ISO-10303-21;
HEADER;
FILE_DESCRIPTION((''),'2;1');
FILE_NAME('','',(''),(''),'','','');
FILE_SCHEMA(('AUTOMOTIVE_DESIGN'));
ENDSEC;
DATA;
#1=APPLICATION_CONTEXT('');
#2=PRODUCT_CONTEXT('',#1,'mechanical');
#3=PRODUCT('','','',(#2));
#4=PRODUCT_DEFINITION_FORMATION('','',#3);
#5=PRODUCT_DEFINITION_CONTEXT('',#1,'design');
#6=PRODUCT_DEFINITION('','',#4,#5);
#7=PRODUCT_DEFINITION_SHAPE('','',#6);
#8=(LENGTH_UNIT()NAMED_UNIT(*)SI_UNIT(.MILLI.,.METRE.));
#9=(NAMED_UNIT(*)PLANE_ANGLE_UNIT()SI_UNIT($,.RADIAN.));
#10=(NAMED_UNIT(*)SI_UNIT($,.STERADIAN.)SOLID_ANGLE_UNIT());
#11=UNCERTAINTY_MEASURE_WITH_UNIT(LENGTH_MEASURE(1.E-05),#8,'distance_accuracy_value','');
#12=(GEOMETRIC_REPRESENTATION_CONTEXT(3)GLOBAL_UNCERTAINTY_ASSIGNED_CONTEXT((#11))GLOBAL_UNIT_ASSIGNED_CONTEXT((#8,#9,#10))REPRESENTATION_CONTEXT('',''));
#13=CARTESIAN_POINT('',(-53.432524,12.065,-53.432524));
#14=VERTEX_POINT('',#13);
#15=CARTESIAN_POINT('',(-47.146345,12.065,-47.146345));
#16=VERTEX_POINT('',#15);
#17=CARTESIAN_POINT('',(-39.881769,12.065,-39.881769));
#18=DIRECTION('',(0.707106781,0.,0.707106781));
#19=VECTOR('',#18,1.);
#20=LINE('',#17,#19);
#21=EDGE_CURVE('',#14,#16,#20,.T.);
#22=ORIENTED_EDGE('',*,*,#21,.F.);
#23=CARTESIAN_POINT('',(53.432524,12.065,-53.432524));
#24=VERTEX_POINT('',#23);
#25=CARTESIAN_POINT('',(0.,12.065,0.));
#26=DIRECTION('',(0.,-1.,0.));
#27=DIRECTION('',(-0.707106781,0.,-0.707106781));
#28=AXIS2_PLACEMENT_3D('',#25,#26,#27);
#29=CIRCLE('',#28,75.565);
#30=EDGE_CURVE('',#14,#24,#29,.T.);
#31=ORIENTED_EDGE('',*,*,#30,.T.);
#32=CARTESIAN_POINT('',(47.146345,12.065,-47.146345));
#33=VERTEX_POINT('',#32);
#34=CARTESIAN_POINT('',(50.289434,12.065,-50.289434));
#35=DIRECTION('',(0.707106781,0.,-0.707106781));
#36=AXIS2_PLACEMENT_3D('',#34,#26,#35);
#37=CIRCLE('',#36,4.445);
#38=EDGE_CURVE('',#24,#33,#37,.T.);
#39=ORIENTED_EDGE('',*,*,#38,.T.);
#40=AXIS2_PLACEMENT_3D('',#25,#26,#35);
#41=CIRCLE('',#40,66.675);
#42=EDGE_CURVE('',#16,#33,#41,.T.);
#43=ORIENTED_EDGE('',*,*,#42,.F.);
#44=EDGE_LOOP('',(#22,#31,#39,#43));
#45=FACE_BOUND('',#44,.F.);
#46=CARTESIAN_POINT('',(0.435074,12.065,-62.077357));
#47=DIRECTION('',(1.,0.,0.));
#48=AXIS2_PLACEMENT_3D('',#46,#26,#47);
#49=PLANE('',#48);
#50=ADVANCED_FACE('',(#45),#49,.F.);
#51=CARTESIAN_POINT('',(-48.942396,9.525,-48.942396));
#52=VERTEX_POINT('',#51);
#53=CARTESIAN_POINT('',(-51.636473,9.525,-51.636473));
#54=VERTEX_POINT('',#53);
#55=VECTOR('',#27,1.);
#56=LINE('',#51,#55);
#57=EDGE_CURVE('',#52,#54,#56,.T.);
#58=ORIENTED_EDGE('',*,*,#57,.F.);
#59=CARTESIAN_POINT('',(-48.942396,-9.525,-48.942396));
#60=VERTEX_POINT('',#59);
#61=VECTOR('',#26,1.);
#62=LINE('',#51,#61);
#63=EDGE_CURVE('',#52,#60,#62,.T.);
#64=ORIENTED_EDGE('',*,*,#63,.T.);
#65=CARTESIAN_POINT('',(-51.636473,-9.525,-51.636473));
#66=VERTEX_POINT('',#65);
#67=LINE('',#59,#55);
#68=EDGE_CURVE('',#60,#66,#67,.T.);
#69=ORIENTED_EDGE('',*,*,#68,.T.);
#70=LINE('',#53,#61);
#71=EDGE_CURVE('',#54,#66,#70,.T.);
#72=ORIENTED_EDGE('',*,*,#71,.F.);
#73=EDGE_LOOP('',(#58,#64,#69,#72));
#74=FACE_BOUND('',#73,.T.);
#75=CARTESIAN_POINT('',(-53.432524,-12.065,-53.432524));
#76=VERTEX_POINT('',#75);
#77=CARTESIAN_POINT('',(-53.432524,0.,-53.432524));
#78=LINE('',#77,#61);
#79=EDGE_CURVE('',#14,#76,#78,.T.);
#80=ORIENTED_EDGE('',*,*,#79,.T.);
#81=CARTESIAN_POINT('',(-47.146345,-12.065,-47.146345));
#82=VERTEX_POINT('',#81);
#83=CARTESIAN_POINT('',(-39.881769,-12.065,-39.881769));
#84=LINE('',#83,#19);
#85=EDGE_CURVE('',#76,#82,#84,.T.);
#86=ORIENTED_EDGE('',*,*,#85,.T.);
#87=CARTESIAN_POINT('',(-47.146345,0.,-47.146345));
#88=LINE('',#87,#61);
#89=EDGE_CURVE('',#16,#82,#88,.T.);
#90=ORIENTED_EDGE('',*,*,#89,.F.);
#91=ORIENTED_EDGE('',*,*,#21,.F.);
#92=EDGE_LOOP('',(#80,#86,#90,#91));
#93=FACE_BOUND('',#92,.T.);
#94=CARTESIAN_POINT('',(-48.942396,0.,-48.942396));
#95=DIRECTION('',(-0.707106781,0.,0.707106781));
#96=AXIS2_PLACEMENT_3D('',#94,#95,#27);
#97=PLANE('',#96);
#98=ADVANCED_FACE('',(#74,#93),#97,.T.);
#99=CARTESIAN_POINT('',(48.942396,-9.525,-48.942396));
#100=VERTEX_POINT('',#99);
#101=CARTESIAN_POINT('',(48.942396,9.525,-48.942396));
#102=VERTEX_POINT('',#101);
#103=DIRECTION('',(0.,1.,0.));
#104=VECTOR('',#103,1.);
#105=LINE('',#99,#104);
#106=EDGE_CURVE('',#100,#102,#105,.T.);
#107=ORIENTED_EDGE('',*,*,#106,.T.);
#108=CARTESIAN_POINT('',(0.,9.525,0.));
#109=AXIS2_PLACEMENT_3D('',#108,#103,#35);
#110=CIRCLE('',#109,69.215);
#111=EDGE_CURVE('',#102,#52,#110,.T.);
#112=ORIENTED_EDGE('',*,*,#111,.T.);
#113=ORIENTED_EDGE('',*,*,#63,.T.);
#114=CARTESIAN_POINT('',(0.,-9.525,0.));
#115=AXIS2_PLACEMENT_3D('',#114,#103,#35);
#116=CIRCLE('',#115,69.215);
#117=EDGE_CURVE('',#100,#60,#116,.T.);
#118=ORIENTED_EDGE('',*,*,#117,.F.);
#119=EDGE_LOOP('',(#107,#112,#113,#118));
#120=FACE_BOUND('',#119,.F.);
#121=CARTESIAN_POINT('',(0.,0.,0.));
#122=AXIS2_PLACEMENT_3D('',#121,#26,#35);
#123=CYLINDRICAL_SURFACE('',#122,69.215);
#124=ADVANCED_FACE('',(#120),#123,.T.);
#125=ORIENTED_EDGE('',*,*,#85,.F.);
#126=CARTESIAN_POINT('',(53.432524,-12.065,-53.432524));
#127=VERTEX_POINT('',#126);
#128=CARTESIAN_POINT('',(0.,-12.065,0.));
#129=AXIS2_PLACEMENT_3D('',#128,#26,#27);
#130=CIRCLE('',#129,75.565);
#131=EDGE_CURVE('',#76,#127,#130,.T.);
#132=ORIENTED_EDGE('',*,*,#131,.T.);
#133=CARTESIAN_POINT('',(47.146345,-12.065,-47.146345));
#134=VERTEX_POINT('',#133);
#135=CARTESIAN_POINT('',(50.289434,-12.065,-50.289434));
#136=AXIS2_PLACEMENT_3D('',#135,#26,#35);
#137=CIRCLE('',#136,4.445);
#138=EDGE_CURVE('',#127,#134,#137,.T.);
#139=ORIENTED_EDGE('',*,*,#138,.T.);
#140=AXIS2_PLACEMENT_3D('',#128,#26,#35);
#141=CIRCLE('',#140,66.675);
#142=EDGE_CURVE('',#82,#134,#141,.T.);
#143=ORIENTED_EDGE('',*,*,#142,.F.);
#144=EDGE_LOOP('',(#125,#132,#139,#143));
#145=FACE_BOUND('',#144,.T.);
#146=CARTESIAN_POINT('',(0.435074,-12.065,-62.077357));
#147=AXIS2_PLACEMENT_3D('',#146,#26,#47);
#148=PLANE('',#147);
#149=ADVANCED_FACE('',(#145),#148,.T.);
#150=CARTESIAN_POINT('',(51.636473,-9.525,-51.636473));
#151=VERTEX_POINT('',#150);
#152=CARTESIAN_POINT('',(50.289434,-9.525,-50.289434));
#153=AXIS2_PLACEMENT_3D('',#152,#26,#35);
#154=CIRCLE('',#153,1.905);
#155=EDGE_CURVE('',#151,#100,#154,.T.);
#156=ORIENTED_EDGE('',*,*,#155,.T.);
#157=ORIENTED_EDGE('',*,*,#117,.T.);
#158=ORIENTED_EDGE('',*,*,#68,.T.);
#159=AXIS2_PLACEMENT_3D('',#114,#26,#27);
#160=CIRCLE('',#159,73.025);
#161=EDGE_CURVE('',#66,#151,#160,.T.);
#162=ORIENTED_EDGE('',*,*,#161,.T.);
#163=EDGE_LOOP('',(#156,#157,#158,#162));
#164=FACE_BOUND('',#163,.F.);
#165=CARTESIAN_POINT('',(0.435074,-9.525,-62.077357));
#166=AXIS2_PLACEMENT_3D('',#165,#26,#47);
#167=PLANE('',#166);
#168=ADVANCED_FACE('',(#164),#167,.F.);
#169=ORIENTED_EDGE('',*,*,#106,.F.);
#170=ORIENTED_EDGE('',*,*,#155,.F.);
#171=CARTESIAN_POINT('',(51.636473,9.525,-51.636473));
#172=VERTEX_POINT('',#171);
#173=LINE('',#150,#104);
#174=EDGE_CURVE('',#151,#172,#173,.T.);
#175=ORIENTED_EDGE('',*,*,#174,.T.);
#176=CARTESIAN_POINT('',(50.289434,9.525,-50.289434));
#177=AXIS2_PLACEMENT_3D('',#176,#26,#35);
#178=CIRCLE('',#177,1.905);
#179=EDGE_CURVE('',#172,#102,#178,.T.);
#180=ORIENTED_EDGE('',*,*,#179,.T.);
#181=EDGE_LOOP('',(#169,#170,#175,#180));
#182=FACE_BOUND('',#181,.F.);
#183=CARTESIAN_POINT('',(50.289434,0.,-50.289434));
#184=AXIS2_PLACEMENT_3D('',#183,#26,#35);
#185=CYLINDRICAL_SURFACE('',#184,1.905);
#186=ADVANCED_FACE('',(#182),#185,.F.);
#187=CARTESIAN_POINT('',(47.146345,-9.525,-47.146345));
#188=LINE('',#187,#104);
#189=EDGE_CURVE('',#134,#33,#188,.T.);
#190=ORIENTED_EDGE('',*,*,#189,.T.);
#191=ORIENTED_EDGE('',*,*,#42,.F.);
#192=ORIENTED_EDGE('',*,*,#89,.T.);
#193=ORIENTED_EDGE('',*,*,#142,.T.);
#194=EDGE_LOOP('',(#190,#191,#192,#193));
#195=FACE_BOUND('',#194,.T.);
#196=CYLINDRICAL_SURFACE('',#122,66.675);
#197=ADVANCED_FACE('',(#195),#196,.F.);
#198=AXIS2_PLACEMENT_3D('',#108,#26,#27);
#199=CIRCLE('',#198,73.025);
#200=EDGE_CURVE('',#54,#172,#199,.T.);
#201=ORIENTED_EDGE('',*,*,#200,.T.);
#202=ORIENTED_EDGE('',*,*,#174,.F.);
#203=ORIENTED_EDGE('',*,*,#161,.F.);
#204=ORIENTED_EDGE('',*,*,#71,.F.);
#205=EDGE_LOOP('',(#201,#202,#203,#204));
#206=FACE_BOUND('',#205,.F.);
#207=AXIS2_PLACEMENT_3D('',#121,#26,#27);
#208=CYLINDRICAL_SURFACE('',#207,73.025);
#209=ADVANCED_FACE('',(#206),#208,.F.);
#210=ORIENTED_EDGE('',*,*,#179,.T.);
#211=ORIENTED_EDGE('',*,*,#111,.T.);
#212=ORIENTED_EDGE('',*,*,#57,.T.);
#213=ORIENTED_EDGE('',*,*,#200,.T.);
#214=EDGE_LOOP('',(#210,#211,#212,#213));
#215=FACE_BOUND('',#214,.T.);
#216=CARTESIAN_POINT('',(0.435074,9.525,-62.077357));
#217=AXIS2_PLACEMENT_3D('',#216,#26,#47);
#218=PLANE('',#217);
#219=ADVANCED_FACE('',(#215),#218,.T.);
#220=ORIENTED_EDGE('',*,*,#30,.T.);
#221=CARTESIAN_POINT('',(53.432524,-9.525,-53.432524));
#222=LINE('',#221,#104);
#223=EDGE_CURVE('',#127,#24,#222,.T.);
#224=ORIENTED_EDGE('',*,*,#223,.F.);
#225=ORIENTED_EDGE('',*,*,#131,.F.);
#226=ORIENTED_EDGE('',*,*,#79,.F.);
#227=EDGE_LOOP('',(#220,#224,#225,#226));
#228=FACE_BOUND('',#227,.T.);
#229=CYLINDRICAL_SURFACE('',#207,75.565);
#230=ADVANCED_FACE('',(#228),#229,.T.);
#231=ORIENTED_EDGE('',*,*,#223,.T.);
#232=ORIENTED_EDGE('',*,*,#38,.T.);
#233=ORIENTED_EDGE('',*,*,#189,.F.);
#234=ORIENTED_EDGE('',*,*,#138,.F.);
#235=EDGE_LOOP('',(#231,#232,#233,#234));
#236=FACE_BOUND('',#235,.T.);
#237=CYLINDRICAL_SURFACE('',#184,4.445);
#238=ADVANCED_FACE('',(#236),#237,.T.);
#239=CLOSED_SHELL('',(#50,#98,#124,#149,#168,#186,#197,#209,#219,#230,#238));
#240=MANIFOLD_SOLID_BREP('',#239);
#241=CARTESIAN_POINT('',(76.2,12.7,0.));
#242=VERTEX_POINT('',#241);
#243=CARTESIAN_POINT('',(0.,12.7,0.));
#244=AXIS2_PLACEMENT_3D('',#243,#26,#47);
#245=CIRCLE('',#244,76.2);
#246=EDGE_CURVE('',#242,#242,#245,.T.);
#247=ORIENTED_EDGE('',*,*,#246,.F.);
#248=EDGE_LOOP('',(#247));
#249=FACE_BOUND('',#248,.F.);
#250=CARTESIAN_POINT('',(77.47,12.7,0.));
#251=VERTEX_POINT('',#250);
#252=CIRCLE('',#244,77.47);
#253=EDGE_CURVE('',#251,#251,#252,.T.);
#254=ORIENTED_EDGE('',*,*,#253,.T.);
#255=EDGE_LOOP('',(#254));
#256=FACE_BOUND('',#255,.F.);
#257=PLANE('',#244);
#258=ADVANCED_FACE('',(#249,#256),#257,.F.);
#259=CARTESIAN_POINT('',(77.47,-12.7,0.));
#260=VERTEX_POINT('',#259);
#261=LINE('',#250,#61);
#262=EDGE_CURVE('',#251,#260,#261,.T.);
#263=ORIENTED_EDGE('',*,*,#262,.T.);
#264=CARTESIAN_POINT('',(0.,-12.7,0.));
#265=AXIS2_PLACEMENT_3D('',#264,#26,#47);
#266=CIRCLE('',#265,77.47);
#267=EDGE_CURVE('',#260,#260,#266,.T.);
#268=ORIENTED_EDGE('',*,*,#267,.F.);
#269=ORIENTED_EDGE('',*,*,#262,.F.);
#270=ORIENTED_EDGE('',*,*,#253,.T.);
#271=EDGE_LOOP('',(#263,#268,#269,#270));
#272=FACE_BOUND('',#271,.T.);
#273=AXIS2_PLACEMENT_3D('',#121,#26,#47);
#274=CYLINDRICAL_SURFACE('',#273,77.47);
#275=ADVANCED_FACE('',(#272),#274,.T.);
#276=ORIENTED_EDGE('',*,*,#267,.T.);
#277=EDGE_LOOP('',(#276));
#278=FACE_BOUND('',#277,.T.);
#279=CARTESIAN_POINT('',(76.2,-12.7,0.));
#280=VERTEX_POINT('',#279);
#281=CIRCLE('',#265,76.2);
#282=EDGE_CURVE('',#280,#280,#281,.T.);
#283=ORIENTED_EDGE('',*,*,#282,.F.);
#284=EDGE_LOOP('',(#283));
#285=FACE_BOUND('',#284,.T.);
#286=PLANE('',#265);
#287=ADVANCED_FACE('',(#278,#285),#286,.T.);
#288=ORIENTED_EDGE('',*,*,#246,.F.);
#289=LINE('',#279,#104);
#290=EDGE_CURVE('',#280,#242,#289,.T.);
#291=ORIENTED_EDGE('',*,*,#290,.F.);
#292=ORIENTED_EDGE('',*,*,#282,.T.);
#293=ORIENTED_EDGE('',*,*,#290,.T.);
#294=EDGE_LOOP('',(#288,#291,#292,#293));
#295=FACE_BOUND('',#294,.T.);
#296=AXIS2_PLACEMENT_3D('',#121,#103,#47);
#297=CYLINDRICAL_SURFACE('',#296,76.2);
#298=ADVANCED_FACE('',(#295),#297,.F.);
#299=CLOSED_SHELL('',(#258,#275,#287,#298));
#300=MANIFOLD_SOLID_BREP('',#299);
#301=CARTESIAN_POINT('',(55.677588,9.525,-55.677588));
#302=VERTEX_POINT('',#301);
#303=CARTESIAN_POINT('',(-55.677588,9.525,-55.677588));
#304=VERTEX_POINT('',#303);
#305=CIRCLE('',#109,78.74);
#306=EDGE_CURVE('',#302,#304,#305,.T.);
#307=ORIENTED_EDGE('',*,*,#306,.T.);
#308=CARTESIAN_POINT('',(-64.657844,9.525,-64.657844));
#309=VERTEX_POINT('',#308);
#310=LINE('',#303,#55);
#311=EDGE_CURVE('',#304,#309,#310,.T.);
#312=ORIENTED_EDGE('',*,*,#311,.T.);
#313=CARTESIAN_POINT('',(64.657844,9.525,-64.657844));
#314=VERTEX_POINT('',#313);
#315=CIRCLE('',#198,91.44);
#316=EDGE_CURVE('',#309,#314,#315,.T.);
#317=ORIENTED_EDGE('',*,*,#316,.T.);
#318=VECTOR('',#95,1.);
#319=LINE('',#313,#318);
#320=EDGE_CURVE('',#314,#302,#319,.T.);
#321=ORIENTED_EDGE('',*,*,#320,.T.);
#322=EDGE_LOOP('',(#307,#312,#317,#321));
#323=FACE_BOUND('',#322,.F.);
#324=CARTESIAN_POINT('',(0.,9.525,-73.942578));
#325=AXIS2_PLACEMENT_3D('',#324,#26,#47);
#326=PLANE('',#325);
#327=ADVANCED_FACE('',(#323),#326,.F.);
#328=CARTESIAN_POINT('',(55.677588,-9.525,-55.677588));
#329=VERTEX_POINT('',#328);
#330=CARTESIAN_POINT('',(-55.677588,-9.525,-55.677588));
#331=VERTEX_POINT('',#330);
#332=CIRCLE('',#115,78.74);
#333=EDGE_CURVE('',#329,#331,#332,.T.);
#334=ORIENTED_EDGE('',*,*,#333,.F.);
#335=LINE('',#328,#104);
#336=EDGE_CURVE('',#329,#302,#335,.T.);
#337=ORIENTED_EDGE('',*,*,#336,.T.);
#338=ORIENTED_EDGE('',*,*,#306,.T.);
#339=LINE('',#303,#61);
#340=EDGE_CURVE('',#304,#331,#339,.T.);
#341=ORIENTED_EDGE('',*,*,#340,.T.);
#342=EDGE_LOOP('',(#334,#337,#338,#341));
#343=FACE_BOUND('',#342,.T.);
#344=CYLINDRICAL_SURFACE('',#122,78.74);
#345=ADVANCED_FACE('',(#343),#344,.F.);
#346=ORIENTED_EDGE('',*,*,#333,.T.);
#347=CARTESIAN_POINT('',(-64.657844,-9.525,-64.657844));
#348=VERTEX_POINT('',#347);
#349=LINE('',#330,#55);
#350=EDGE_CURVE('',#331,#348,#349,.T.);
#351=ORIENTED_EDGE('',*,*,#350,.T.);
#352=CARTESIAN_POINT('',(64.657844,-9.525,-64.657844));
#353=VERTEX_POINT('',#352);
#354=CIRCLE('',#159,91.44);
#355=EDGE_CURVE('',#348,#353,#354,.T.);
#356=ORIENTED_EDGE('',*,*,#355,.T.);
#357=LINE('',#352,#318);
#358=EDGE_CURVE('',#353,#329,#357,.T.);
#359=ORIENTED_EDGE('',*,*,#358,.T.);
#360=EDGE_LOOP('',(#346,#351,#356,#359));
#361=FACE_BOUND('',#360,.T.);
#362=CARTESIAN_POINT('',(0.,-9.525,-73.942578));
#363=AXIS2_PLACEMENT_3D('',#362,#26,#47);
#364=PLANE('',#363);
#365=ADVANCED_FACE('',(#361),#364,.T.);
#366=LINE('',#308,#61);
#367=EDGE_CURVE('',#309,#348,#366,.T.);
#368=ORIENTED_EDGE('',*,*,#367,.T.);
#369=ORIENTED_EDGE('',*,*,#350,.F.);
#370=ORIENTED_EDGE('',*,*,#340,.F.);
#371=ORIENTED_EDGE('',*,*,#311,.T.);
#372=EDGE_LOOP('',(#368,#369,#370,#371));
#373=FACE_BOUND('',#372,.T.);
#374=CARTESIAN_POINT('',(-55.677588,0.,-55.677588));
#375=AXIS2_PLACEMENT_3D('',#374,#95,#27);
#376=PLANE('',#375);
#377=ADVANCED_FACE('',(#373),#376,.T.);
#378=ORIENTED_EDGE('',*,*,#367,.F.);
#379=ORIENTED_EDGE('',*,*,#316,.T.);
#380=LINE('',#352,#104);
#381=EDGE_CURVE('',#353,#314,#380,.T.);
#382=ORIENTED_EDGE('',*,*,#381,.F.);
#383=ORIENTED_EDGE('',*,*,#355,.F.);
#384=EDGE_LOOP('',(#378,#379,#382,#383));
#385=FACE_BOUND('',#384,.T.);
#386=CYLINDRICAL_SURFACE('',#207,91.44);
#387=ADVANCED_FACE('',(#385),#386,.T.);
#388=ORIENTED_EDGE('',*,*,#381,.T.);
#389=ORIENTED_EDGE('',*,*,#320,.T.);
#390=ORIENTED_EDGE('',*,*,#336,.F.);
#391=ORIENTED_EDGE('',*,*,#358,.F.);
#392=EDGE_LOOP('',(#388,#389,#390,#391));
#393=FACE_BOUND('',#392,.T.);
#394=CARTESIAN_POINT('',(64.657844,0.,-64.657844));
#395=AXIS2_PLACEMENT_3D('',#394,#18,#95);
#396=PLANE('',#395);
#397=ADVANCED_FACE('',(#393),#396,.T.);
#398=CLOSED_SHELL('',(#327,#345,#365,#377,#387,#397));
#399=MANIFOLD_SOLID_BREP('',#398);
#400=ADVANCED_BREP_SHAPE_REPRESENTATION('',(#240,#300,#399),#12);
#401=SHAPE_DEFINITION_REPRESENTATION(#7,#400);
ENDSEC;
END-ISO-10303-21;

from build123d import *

# Parameters (mm, degrees)
F0_R     = 77.47
F0_R_2   = 76.2
F1_DEPTH = 12.7
F3_DEPTH = 9.525
F4_T     = 2.54


with BuildPart() as f1:
    # F0 (on Front) → F1 (new body, symmetric)
    with BuildSketch(Plane.XZ):
        Circle(F0_R)
        Circle(F0_R_2, mode=Mode.SUBTRACT)
    extrude(amount=F1_DEPTH, both=True)


with BuildPart() as f3:
    # F2 (on Front) → F3 (new body, symmetric)
    with BuildSketch(Plane.XZ):
        with BuildLine():
            ThreePointArc((48.9423958598, -48.9423958598), (0, -69.215), (-48.9423958598, -48.9423958598))
            Line((-48.9423958598, -48.9423958598), (-51.6364726961, -51.6364726961))
            ThreePointArc((-51.6364726961, -51.6364726961), (0, -73.025), (51.6364726961, -51.6364726961))
            ThreePointArc((51.6364726961, -51.6364726961), (51.6364726961, -48.9423958598), (48.9423958598, -48.9423958598))
        make_face()
    extrude(amount=F3_DEPTH, both=True)

    # F4
    f4_openings = [f3.faces().sort_by_distance(p)[0] for p in [
        (-50.289434, 0, -50.289434),
    ]]
    offset(amount=F4_T, openings=f4_openings, kind=Kind.INTERSECTION)


with BuildPart() as f3b:
    # F2 (on Front) → F3, piece 2 (new body, symmetric)
    with BuildSketch(Plane.XZ):
        with BuildLine():
            ThreePointArc((55.6775879506, -55.6775879506), (0, -78.74), (-55.6775879506, -55.6775879506))
            Line((-55.6775879506, -55.6775879506), (-64.6578440717, -64.6578440717))
            ThreePointArc((-64.6578440717, -64.6578440717), (0, -91.44), (64.6578440717, -64.6578440717))
            Line((64.6578440717, -64.6578440717), (55.6775879506, -55.6775879506))
        make_face()
    extrude(amount=F3_DEPTH, both=True)


solid = Compound([f1.part, f3.part, f3b.part])
